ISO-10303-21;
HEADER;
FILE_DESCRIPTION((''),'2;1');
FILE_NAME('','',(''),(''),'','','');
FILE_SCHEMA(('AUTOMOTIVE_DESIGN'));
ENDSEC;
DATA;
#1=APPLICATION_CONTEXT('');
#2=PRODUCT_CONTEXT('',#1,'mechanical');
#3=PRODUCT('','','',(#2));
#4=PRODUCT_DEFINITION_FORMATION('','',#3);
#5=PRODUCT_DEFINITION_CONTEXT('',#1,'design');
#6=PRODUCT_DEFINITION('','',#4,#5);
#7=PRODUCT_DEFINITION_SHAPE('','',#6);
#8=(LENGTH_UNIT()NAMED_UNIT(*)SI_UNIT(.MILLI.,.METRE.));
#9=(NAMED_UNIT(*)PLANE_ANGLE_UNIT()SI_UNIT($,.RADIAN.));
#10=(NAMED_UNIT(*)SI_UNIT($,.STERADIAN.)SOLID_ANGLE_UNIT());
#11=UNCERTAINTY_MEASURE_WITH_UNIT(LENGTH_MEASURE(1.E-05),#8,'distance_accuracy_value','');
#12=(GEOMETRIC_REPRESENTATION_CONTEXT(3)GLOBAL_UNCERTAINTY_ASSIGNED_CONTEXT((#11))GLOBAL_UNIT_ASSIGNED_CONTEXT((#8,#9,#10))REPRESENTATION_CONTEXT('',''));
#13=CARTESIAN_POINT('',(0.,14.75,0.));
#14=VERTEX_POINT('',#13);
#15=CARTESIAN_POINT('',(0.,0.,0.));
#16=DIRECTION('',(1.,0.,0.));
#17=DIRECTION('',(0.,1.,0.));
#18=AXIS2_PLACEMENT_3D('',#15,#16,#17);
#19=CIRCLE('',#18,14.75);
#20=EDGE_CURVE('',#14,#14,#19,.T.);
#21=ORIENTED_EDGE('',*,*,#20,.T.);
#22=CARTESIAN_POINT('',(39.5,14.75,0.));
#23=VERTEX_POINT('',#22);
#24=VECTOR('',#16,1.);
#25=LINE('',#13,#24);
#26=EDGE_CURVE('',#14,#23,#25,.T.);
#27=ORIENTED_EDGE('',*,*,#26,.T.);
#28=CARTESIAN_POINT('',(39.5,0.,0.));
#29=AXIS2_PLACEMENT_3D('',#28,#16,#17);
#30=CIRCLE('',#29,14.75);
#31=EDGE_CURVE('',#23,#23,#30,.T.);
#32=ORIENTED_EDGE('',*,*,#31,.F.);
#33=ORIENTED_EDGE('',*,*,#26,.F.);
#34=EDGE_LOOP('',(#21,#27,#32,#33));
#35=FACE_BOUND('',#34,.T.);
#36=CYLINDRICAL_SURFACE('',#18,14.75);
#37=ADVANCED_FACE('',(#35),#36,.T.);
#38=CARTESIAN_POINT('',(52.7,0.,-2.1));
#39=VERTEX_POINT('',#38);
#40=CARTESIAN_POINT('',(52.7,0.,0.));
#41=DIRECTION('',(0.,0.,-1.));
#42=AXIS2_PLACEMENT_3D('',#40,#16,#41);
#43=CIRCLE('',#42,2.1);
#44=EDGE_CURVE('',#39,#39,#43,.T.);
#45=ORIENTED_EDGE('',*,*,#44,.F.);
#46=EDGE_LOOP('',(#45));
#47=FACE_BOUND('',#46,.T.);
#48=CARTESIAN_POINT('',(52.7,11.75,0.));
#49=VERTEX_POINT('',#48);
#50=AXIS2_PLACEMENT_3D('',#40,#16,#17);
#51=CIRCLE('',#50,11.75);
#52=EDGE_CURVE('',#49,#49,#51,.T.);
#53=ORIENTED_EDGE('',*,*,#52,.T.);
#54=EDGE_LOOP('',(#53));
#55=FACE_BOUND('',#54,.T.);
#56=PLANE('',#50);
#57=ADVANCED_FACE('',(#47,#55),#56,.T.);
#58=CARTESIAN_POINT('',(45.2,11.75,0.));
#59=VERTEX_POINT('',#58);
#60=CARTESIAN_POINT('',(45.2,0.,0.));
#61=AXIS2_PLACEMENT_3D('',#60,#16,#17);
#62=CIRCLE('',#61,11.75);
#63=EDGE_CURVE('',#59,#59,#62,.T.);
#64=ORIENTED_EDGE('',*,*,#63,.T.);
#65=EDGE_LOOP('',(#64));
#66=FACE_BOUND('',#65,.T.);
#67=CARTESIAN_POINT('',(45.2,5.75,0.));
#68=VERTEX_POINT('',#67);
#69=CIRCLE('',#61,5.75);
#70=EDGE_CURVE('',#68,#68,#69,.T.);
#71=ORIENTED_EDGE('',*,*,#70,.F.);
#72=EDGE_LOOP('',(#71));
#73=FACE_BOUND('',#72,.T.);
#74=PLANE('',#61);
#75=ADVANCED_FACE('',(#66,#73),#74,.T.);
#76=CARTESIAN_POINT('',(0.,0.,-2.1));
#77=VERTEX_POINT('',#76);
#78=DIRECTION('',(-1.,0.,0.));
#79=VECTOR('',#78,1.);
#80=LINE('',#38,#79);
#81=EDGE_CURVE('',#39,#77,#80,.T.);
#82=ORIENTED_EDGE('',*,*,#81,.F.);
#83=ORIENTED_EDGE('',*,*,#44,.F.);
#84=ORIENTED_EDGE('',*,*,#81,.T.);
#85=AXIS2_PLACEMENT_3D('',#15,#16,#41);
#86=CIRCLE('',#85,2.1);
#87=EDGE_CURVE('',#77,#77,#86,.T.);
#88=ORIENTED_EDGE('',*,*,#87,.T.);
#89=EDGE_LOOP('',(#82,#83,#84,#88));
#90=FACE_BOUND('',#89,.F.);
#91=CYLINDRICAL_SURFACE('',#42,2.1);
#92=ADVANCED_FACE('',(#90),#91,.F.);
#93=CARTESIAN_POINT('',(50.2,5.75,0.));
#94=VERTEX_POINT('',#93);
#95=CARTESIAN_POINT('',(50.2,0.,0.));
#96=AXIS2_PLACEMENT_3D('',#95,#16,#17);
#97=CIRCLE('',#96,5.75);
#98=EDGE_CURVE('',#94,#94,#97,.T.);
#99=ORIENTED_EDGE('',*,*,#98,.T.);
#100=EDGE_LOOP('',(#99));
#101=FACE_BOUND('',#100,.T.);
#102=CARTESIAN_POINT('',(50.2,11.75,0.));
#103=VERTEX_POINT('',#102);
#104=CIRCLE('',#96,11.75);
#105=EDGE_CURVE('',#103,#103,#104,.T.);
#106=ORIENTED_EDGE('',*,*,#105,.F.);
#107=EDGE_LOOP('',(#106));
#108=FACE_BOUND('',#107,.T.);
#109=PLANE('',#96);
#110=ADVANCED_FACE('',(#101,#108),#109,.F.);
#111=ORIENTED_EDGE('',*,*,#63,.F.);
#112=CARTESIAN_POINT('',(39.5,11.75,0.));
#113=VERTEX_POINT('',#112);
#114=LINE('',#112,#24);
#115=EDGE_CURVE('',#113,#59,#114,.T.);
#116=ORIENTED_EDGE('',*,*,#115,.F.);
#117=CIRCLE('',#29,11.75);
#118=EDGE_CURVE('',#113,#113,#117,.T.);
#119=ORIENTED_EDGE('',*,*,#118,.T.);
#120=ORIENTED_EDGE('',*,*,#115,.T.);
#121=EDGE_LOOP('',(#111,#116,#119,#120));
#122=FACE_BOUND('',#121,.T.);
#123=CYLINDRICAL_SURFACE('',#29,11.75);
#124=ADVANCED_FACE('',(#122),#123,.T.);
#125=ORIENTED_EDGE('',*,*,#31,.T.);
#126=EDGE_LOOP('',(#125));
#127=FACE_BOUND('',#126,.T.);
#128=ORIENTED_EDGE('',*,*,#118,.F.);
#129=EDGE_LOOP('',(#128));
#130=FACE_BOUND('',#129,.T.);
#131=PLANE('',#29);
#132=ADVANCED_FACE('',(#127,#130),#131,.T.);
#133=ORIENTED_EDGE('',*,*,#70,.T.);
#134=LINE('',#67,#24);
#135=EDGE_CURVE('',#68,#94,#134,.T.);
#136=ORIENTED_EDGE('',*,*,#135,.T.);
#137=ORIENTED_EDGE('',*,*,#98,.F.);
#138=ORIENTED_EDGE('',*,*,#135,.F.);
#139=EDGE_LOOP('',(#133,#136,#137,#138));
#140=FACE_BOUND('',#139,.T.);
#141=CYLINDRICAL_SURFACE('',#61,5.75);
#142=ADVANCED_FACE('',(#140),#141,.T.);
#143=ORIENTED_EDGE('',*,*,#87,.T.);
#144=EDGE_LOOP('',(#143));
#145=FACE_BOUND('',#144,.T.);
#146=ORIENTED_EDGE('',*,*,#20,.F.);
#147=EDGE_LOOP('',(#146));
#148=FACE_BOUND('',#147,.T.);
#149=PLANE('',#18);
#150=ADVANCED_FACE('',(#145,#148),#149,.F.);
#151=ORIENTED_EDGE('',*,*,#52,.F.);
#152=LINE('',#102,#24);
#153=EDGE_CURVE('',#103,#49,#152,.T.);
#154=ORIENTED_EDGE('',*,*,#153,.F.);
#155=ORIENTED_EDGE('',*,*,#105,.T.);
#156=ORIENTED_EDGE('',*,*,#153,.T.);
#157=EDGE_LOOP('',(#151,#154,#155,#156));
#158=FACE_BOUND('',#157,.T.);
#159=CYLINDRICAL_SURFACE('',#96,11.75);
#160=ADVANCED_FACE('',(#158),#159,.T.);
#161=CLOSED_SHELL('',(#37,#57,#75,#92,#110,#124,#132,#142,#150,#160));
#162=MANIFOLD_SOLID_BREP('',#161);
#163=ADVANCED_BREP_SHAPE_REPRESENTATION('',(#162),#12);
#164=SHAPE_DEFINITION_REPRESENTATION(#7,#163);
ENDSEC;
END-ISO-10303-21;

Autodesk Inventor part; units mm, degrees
ref_plane "YZ Plane" through (0, 0, 0) normal (1, 0, 0) x (0, 1, 0)
ref_plane "XZ Plane" through (0, 0, 0) normal (0, 1, 0) x (-1, 0, 0)
ref_plane "XY Plane" through (0, 0, 0) normal (0, 0, 1) x (1, 0, 0)
sketch "Skizze1" plane through (0, 0, 0) normal (0, 0, 1) x (1, 0, 0)
  line L0 (-10.54, 0) -> (63.24, 0) projected
  line L1 (0, -2.95) -> (0, 17.7) projected
  line L2 (0, 0) -> (0, 14.75)
  line L3 (0, 14.75) -> (39.5, 14.75)
  line L4 (39.5, 14.75) -> (39.5, 11.75)
  line L5 (39.5, 11.75) -> (45.2, 11.75)
  line L6 (45.2, 11.75) -> (45.2, 5.75)
  line L7 (45.2, 5.75) -> (50.2, 5.75)
  line L8 (50.2, 5.75) -> (50.2, 11.75)
  line L9 (50.2, 11.75) -> (52.7, 11.75)
  line L10 (52.7, 11.75) -> (52.7, 0)
  line L11 (0, 0) -> (52.7, 0)
  dimension "d0" = 14.75
  dimension "d2" = 3
  dimension "d4" = 6
  dimension "d5" = 5
  dimension "d6" = 2.5
  dimension "d12" = 5.7
  dimension "d13" = 39.5
revolve "Umdrehung1" add sketch "Skizze1" angle 360 about axis through (-10, 0, 0) along (1, 0, 0)
sketch "Skizze2" plane through (52.7, 0, 0) normal (1, 0, 0) x (0, 0, -1)
  circle A0 centre (0, 0) radius 2.1
  dimension "d8" = 4.2
extrude "Extrusion1" cut sketch "Skizze2" against normal blind 100
properties part number "Deckel_klein"
